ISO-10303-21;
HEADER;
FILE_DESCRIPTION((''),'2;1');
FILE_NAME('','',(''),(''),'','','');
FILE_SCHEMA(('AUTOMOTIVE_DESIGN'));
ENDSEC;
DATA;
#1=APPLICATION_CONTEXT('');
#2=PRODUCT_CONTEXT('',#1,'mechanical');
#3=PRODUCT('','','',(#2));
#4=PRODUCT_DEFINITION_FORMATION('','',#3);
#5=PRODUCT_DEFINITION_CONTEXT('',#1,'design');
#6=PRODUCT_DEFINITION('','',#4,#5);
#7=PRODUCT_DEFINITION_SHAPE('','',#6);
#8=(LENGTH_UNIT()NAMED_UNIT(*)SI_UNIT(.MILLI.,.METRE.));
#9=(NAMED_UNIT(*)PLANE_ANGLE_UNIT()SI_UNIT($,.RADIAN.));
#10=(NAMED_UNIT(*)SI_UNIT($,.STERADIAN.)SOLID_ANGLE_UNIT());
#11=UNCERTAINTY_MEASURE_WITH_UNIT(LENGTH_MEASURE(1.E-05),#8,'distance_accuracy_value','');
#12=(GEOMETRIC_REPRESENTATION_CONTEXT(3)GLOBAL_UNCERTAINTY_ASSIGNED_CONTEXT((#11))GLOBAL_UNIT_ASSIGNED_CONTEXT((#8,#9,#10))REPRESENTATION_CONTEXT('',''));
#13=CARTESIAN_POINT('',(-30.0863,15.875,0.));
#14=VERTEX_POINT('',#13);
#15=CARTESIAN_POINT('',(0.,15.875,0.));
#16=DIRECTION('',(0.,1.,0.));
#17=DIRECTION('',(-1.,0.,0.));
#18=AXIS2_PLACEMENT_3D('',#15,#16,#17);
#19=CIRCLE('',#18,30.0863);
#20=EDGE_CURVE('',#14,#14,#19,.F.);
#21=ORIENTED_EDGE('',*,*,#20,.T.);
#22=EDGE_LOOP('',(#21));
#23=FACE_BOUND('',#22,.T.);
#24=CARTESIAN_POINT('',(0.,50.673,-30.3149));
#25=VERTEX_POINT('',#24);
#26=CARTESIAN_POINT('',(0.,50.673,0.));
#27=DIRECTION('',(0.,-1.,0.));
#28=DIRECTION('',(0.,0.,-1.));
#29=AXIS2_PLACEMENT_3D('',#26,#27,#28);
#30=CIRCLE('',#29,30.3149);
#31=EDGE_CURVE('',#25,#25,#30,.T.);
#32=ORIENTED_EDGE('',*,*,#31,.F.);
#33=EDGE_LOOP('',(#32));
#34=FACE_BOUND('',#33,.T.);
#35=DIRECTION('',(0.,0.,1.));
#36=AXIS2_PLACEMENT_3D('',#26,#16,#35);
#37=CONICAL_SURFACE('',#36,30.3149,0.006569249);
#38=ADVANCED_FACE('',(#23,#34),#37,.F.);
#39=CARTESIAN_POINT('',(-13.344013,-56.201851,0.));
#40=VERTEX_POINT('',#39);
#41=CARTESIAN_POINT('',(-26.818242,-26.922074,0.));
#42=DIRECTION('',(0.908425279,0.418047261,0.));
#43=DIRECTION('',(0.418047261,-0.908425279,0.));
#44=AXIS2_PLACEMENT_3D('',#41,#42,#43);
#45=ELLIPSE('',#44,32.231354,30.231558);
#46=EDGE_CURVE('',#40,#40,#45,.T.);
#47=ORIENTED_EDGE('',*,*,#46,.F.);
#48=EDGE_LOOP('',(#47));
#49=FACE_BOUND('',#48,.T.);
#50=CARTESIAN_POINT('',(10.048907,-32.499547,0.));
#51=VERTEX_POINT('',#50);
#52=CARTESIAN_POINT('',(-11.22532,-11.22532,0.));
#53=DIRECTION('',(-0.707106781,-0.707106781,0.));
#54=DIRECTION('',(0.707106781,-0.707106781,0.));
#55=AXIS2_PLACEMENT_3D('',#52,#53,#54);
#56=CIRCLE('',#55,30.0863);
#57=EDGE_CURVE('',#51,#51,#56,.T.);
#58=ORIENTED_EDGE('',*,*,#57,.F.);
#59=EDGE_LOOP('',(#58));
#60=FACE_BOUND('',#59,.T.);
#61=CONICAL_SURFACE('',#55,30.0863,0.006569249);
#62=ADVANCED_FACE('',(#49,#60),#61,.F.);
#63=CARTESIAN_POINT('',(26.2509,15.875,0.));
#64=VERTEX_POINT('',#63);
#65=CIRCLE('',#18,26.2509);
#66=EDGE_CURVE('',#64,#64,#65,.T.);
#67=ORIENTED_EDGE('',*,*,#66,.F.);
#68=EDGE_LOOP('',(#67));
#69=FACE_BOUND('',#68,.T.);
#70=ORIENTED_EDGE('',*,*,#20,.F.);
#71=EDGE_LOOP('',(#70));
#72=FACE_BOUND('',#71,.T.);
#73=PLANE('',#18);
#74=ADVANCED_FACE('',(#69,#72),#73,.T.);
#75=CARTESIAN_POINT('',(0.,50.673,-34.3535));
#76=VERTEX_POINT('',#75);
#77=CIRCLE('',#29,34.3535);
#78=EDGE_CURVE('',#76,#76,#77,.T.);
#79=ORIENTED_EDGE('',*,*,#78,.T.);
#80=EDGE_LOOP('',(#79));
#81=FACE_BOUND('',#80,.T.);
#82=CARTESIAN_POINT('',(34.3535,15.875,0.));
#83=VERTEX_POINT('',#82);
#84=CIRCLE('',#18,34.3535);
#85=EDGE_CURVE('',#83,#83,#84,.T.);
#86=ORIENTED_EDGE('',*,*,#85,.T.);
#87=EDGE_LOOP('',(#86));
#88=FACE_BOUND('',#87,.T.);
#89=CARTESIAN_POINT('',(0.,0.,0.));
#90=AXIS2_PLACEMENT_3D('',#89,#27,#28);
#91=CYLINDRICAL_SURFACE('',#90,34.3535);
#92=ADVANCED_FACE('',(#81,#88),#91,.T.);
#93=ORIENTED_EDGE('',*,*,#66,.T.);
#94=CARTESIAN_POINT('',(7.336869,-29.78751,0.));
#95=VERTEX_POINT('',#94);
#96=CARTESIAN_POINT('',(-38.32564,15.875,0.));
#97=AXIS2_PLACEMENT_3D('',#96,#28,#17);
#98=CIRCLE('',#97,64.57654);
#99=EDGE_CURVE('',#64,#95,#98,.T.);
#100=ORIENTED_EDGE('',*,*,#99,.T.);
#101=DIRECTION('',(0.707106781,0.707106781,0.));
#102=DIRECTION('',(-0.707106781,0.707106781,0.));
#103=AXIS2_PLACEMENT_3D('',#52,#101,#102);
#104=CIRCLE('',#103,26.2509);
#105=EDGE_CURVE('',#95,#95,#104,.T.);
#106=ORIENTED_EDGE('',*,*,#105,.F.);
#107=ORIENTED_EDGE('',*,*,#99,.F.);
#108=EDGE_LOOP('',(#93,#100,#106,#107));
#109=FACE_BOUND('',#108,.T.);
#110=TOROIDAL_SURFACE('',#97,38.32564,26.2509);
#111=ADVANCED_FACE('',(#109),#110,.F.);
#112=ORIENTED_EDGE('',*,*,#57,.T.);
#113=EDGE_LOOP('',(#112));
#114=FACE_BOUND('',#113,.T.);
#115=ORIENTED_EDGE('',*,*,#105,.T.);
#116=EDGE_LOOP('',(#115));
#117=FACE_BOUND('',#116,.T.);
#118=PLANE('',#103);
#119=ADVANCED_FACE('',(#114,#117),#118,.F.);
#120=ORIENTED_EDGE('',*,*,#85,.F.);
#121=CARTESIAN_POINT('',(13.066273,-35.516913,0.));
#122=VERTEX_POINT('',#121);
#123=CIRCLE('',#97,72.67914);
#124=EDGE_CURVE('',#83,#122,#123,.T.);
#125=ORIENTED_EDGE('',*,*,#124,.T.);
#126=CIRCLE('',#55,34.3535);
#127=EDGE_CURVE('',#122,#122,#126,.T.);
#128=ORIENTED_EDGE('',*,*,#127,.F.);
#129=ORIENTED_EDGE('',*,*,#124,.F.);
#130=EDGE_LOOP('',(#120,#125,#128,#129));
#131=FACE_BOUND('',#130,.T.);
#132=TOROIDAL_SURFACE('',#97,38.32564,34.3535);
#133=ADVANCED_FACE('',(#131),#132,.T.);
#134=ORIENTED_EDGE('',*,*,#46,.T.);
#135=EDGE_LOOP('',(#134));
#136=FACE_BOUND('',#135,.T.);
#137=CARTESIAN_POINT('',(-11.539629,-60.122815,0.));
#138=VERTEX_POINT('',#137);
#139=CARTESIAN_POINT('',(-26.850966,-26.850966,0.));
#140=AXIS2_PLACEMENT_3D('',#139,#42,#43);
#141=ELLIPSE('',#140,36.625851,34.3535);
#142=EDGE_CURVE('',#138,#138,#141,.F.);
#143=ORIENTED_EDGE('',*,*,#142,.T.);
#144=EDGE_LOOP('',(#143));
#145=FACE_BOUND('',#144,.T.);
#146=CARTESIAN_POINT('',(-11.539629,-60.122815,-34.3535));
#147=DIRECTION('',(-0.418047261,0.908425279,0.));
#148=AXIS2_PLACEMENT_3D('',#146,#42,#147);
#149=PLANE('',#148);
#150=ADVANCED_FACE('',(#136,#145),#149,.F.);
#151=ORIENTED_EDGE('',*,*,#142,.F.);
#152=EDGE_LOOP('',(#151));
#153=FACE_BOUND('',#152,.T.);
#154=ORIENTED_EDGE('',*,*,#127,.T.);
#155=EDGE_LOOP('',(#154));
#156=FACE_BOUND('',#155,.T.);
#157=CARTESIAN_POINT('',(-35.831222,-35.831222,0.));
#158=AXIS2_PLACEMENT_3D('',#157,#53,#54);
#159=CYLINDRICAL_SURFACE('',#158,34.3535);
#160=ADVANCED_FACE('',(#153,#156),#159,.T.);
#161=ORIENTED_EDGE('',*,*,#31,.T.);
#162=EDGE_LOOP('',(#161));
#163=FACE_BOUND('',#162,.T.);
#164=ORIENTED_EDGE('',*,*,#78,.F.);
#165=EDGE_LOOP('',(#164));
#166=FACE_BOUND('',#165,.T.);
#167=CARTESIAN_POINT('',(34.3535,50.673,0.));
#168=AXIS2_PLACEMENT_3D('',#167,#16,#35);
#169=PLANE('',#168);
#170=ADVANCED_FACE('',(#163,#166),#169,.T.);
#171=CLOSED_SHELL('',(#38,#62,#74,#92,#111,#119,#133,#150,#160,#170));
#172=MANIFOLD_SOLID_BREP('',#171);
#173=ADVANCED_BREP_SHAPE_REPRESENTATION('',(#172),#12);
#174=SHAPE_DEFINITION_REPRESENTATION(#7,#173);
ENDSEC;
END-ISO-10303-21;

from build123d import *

# Parameters (mm, degrees)
SKETCH3_R               = 34.3535
SKETCH3_R_2             = 26.2509
CUT_EXTRUDE1_DEPTH      = 92.704245656
CUT_EXTRUDE1_DEPTH_BACK = 92.704245656


with BuildPart() as part:
    # Sketch1 → Revolve1 (revolve)
    with BuildSketch(Plane.XY):
        Polygon((-11.539629116, -60.122814731), (13.066272656, -35.516912959), (10.048906599, -32.499546902), (-14.395350562, -57.267093284), align=None)
    revolve(axis=Axis((-35.831221923, -35.831221923, 0), (0.7071067811865488, 0.7071067811865464, 0)))



with BuildPart() as body_2:
    # Sketch2 → Revolve2 (revolve)
    with BuildSketch(Plane.XY, mode=Mode.PRIVATE) as revolve2_sk:
        Polygon((30.3149, 50.673), (30.0863, 15.875), (34.3535, 15.875), (34.3535, 50.673), align=None)
    revolve(revolve2_sk.sketch.rotate(Axis((0, 0, 0), (0, 1, 0)), 90), axis=Axis((0, 0, 0), (0, 1, 0)))


with BuildPart() as part_1:
    add(part.part)

    add(body_2.part)  # Sweep1 merges body 2
    # Sweep1: sweep along a path in Sketch4
    with BuildLine(Plane.XY) as sweep1_path:
        ThreePointArc((-11.225320151, -11.225320151), (-2.917365657, 1.208412421), (0, 15.875))
    # Sketch3 → Sweep1 (sweep)
    with BuildSketch(Plane(origin=(-11.225320151, -11.225320151, 0), x_dir=(0, 0, -1), z_dir=(0.7071067811865486, 0.7071067811865465, 0))):
        Circle(SKETCH3_R)
        Circle(SKETCH3_R_2, mode=Mode.SUBTRACT)
    sweep(path=sweep1_path.line)

    # Sketch5 → Cut-Extrude1 (cut, two sides: drawn at the far end of the back side and taken through both)
    with BuildSketch(Plane.XY.offset(-CUT_EXTRUDE1_DEPTH_BACK)):
        Polygon((-42.162302488, 6.420883127), (-60.122814731, -11.539629116), (-11.539629116, -60.122814731), align=None)
    extrude(amount=CUT_EXTRUDE1_DEPTH + CUT_EXTRUDE1_DEPTH_BACK, mode=Mode.SUBTRACT)


solid = part_1.part
